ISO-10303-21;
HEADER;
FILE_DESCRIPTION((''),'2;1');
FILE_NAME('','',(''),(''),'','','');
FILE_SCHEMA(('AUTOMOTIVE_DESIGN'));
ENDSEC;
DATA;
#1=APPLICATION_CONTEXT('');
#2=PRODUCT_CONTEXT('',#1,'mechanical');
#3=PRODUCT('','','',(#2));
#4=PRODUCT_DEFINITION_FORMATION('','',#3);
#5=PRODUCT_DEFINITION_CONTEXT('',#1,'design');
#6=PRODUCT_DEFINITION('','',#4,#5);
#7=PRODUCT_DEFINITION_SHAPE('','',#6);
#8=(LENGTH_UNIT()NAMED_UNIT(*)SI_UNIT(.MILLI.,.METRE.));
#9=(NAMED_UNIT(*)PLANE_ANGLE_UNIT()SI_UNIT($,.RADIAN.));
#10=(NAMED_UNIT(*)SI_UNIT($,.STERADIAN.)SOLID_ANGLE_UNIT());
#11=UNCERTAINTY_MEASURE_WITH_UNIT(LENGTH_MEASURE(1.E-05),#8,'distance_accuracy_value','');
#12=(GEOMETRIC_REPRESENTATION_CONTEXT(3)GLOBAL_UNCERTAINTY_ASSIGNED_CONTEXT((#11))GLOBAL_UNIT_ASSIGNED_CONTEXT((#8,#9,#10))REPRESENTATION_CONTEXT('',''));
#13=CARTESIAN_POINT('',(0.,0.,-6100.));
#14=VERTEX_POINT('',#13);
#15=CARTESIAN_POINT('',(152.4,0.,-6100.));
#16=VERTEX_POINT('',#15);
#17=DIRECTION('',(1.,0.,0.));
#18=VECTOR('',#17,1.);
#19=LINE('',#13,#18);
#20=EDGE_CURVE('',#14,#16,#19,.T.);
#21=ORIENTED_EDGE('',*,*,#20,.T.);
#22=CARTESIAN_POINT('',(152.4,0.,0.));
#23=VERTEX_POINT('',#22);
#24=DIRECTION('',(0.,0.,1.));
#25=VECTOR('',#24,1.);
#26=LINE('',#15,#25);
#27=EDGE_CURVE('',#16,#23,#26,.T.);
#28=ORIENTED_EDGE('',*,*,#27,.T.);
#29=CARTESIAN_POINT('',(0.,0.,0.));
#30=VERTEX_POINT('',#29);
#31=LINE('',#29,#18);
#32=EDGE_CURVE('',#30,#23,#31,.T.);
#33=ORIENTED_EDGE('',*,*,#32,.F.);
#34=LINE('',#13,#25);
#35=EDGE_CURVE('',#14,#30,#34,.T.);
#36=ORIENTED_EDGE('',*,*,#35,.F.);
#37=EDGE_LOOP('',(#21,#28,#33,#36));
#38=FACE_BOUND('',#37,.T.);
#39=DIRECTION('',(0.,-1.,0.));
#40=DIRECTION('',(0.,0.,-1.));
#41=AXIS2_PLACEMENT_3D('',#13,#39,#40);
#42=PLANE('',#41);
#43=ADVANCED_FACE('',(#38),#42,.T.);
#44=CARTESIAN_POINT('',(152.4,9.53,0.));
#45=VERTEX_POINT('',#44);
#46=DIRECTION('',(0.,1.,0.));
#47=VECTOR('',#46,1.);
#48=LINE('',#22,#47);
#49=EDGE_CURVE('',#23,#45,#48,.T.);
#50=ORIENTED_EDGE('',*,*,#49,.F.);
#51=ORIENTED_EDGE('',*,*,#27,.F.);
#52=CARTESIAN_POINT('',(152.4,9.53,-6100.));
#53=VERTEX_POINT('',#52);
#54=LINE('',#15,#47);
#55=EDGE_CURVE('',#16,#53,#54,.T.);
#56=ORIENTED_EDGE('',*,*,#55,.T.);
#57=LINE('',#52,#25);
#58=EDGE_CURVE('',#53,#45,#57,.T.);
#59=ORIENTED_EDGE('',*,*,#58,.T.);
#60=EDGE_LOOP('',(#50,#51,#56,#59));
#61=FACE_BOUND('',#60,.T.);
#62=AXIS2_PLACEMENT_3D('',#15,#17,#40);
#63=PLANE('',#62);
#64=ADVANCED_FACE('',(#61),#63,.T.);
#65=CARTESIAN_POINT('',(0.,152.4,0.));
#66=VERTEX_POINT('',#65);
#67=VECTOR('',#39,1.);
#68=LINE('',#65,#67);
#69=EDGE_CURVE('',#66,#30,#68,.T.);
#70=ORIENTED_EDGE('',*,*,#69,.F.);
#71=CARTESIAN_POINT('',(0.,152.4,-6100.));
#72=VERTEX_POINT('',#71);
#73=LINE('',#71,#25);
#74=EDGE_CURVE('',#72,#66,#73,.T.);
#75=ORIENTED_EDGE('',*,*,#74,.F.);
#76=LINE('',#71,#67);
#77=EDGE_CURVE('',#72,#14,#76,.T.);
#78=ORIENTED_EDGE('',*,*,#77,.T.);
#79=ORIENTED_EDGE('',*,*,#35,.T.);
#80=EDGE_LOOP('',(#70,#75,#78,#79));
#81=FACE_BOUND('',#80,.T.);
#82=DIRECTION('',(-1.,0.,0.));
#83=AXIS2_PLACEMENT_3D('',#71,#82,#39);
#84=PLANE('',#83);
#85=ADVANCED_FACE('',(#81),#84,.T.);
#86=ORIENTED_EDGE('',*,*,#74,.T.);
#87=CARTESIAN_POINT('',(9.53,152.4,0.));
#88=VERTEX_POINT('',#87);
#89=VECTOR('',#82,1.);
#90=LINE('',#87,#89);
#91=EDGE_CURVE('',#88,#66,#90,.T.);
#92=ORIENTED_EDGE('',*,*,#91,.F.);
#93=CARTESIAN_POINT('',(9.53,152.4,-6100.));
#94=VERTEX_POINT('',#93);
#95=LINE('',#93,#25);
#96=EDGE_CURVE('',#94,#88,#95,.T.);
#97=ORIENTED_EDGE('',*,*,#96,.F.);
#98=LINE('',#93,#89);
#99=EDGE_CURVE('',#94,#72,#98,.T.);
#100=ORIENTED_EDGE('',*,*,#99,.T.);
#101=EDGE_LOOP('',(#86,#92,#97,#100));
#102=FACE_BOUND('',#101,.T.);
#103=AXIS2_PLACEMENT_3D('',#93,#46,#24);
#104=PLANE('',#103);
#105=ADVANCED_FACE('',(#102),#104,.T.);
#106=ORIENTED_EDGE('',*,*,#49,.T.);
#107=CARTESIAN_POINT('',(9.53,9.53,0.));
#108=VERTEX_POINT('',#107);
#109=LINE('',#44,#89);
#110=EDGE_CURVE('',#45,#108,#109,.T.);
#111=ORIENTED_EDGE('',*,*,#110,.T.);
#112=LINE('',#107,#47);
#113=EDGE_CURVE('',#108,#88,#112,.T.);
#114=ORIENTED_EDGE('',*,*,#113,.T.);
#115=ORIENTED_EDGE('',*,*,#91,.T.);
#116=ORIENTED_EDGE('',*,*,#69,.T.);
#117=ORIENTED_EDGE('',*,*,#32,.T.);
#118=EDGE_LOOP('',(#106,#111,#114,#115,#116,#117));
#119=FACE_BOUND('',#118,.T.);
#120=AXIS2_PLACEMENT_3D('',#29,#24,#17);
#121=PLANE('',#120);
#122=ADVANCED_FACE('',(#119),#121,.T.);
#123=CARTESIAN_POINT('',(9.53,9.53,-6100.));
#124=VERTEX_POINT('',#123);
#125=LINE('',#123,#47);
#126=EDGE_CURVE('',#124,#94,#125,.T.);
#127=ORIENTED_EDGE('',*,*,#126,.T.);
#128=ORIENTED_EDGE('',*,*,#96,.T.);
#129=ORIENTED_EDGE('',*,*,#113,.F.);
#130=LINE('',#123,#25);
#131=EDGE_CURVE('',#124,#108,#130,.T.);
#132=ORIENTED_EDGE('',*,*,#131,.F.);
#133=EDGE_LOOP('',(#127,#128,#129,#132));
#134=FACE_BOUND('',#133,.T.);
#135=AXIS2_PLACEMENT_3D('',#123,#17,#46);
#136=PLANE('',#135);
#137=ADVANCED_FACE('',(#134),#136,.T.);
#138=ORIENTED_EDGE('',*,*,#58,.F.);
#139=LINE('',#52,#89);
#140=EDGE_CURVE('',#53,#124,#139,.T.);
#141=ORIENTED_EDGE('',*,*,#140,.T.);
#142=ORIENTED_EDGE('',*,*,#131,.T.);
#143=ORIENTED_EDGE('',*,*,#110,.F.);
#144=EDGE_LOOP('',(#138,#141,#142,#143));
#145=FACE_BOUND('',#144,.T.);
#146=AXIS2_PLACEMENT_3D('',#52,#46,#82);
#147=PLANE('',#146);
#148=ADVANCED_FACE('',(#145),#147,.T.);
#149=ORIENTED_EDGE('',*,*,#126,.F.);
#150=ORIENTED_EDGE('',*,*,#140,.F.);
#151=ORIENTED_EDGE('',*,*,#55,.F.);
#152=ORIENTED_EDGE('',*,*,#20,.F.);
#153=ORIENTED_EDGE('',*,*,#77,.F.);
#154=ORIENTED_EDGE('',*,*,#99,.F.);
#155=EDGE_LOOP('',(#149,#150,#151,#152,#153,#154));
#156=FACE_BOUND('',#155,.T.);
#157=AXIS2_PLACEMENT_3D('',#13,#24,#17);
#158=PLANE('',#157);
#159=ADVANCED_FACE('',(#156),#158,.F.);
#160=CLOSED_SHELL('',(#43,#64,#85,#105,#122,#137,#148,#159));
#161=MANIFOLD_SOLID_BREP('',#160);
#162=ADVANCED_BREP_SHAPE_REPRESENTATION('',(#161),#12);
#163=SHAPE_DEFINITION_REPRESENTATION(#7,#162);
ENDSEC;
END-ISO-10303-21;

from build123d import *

# Parameters (mm, degrees)
SALIENTE_EXTRUIR1_DEPTH = 6100


with BuildPart() as part:
    # Croquis1 → Saliente-Extruir1 (new body)
    with BuildSketch(Plane.XY):
        Polygon((0, 152.4), (0, 0), (152.4, 0), (152.4, 9.53), (9.53, 9.53), (9.53, 152.4), align=None)
    extrude(amount=-SALIENTE_EXTRUIR1_DEPTH)


solid = part.part
